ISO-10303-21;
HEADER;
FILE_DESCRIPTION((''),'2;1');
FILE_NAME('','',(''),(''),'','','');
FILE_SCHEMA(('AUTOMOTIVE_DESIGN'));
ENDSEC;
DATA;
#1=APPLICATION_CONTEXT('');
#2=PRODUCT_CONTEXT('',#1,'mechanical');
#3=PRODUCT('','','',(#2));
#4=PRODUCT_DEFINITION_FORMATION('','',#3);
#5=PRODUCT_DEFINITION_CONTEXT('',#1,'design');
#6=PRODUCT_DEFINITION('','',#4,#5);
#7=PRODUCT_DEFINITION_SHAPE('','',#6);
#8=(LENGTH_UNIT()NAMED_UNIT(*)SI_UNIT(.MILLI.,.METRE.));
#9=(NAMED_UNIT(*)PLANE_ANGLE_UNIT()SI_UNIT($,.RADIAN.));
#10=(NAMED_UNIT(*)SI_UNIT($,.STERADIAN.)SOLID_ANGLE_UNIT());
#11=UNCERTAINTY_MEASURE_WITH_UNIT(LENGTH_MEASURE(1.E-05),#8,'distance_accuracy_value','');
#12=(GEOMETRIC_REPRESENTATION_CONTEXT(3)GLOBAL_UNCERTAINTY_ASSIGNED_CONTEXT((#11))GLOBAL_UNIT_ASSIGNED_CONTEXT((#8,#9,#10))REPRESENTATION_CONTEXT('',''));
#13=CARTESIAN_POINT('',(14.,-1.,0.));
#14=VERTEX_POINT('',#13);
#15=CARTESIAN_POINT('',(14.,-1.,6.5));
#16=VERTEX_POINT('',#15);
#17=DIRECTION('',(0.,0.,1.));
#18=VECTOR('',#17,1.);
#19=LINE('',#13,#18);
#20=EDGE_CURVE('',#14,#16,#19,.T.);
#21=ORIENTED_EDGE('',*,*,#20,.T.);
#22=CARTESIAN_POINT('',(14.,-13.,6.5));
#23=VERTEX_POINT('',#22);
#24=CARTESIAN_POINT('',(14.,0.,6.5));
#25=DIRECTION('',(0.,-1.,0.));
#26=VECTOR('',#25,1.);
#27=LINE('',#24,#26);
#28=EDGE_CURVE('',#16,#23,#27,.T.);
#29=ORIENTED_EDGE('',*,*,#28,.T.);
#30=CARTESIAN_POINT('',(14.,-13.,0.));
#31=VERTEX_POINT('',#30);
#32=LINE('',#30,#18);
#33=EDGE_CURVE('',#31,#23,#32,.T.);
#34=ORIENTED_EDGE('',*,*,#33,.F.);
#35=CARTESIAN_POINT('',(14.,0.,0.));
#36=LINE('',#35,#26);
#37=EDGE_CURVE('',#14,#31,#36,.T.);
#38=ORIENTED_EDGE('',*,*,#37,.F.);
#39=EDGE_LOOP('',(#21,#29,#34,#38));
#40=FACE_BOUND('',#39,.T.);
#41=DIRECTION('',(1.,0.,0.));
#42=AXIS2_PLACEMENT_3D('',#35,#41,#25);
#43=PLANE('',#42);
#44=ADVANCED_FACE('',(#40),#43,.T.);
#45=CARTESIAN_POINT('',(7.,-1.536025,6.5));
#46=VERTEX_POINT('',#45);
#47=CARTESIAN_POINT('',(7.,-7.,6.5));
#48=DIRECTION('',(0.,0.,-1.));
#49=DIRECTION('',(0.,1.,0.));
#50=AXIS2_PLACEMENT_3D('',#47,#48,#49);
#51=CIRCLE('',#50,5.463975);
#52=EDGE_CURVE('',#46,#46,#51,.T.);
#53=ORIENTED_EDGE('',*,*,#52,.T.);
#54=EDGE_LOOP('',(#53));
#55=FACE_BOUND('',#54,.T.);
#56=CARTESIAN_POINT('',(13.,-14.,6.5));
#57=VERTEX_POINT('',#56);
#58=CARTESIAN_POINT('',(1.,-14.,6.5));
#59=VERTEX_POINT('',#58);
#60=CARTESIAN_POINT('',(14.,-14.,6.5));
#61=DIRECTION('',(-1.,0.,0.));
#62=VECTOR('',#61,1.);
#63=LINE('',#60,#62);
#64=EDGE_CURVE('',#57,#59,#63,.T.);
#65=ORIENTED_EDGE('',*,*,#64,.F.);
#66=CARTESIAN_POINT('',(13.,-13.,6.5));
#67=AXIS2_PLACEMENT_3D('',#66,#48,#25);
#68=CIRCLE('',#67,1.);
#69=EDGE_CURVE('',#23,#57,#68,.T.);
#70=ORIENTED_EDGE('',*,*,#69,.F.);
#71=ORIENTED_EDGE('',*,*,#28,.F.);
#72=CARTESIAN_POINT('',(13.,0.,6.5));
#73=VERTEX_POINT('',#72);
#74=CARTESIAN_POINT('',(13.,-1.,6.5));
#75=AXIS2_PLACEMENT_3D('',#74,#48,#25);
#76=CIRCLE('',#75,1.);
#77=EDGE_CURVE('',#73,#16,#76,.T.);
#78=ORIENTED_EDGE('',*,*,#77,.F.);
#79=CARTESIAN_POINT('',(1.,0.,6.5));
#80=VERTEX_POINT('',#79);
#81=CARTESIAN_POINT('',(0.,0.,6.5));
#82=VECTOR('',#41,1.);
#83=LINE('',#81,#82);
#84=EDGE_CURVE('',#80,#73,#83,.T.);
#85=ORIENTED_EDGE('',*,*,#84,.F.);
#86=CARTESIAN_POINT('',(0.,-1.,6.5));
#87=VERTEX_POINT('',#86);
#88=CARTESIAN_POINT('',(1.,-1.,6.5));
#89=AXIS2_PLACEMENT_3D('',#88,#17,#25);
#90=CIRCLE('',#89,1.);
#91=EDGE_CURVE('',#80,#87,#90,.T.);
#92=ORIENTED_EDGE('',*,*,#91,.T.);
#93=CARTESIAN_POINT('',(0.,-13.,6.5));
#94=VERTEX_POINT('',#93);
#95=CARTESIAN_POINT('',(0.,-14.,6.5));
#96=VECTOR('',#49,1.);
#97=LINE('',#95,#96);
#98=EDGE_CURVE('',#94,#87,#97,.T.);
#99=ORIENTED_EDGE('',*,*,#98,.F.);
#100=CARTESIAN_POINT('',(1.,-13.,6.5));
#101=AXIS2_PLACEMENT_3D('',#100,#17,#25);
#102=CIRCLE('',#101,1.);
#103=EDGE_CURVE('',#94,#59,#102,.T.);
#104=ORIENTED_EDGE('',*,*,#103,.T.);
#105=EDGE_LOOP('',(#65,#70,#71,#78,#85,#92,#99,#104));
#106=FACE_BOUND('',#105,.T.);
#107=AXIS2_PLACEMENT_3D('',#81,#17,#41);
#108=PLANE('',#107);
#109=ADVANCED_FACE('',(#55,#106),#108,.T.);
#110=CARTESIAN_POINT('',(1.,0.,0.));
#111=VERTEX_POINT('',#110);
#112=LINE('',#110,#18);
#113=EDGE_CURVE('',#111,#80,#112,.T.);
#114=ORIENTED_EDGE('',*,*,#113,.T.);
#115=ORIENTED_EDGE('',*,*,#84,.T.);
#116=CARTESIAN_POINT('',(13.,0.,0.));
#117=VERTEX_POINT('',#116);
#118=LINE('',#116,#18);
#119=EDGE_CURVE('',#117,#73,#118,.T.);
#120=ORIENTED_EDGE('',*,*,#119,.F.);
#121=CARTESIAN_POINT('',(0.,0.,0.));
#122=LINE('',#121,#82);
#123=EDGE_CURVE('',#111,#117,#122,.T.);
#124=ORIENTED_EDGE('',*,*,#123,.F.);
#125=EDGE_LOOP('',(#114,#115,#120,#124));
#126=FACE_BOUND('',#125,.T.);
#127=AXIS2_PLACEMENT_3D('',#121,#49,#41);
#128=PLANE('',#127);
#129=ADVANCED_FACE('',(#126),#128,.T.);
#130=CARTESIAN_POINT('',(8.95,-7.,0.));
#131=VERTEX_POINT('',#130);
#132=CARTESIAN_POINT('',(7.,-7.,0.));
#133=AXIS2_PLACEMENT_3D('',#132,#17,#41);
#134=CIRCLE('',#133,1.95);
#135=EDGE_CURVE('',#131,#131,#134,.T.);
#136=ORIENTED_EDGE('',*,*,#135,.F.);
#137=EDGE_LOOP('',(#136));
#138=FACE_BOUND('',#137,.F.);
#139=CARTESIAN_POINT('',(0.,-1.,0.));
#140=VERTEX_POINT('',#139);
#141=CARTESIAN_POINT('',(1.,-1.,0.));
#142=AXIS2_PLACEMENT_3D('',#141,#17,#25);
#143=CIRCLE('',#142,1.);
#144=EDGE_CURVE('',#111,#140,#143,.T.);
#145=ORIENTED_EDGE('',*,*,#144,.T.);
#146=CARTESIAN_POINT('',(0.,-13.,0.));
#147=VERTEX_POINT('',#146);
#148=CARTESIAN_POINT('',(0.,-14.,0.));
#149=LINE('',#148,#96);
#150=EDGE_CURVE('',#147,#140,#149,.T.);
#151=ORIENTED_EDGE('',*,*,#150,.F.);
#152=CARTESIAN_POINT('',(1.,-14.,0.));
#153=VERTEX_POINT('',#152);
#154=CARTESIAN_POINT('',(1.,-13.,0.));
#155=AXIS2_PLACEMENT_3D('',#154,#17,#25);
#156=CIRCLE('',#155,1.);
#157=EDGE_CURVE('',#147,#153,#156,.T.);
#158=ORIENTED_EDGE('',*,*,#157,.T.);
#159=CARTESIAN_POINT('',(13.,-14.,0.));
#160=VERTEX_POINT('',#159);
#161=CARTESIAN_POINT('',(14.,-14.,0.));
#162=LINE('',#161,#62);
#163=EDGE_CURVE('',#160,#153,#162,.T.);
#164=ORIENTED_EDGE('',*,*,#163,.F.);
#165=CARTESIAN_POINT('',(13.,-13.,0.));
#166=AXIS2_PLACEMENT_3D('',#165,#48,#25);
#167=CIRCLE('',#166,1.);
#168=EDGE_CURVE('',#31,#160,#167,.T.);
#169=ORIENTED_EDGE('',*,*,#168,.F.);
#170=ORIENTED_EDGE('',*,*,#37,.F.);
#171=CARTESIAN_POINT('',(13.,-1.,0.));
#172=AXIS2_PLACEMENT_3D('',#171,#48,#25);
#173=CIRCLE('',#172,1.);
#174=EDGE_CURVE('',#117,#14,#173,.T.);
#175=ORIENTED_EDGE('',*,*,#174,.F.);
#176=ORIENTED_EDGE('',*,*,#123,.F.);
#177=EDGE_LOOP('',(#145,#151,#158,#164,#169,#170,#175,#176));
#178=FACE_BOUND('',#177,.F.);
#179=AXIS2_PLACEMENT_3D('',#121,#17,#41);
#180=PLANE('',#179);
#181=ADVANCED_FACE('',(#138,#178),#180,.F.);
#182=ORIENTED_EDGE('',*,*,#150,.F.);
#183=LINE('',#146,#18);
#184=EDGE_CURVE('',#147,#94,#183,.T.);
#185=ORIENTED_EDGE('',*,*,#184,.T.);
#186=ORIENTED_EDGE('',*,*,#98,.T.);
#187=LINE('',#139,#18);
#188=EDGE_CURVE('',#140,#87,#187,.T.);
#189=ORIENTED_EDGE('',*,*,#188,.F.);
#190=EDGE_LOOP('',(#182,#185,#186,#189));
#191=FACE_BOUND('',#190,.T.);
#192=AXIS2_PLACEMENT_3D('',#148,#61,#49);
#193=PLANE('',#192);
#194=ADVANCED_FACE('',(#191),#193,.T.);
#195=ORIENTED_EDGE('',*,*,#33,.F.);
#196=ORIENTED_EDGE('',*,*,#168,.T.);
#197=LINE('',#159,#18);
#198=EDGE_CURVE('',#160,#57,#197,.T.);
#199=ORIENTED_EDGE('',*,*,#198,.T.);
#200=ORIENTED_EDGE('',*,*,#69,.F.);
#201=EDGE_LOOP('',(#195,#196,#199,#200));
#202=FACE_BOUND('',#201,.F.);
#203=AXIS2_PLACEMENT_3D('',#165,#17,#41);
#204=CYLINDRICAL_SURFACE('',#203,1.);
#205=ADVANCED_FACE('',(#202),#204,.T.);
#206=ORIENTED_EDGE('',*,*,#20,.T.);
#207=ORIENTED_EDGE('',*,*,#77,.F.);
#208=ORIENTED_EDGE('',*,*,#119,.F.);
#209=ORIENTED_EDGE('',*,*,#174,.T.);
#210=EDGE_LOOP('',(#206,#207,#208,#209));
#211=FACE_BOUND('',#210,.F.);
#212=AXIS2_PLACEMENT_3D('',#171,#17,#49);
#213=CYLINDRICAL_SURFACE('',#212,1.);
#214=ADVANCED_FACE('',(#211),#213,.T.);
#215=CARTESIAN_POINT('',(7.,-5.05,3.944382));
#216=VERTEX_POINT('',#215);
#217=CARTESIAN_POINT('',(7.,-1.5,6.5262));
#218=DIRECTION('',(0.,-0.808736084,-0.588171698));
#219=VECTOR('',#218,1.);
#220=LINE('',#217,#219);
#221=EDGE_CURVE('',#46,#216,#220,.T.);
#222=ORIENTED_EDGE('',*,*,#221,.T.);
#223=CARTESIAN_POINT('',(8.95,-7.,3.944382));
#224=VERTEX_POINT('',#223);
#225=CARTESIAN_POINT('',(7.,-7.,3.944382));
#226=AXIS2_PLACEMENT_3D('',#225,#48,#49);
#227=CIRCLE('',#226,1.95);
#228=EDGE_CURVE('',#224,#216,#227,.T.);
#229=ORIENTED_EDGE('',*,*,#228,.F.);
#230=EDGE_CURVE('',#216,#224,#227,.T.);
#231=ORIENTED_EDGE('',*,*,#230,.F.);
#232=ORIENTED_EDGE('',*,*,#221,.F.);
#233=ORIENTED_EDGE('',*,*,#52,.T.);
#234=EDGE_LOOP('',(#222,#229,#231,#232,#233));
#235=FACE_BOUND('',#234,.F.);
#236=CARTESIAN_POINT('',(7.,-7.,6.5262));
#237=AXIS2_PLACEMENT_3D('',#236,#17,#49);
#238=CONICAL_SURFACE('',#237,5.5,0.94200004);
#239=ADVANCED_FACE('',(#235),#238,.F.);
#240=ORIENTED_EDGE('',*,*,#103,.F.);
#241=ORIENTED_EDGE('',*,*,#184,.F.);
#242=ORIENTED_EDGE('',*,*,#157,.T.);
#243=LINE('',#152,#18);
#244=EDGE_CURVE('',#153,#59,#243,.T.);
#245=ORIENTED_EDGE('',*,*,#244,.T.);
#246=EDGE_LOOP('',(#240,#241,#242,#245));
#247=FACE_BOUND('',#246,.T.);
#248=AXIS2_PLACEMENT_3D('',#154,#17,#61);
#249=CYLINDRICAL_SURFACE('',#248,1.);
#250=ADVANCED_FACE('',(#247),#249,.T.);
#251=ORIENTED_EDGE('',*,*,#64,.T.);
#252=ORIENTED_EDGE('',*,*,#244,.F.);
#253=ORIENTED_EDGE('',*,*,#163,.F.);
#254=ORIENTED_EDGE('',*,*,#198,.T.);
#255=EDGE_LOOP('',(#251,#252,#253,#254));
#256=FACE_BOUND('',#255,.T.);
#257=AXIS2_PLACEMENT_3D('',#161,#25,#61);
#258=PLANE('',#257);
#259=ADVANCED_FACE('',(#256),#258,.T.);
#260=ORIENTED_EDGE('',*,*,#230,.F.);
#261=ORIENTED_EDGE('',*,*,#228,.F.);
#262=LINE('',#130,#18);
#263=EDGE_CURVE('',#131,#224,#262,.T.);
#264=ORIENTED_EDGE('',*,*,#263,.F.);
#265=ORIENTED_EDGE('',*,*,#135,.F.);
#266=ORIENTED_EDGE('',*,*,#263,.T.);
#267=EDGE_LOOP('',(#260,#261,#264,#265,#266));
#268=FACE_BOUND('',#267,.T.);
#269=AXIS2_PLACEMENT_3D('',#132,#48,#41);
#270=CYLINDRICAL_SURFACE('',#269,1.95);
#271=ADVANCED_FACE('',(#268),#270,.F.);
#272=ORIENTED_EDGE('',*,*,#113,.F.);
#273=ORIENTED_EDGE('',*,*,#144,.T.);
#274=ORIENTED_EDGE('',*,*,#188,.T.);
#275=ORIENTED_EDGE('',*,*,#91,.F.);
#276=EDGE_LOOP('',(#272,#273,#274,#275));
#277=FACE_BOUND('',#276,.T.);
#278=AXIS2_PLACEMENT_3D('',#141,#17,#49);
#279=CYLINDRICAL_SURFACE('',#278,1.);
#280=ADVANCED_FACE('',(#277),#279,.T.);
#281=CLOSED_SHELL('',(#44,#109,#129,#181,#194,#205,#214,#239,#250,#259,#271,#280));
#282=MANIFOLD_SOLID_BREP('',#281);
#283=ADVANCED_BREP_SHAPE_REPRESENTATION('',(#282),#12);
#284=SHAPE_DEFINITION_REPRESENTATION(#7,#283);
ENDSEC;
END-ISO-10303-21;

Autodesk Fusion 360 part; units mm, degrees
sketch "Sketch1" plane through (0, 0, 0) normal (0, 0, 1) x (1, 0, 0) in component "link"
  line L0 (0, 0) -> (14, 0)
  line L1 (14, 0) -> (14, -14)
  line L2 (14, -14) -> (0, -14)
  line L3 (0, -14) -> (0, 0)
  circle A0 centre (7, -7) radius 5
  circle A1 centre (7, -7) radius 1.95
  dimension "d68" = 14
  dimension "d69" = 10
  dimension "d70" = 7
  dimension "d72" = 3.9
  dimension "d105" = 14
  dimension "d106" = 7
extrude "Extrude3" add sketch "Sketch1" along normal blind 6.5 contours L0 L1 L2 L3 | A0 | A1 in component "link"
extrude "Extrude4" cut sketch "Sketch1" along normal up to surface (6.5 mm away) contours A1 in component "link"
ref_plane "WorkPlane1" through (7, -7, 3.25) normal (1, 0, 0) x (0, 1, 0)
sketch "Sketch3" plane through (7, -7, 3.5) normal (1, 0, 0) x (0, 1, 0) in component "link"
  line L0 (0, 0) -> (14, 0) construction
  line L1 (14, 0) -> (14, 7) construction
  line L2 (14, 7) -> (0, 7)
  line L3 (0, 7) -> (0, 0) construction
  line L4 (5.5, 3.0262) -> (0, -0.9738)
  line L5 (0, -0.9738) -> (0, 3.0262)
  line L6 (0, 3.0262) -> (5.5, 3.0262)
  point P0 (7, 0)
  dimension "d109" = 5.5
  dimension "d110" = 4
revolve "Revolve1" cut sketch "Sketch3" angle 360 about axis through (7, -7, 10.5) along (0, 0, -1) in component "link"
fillet "Fillet2" radius 1 4 edges at (0, -14, 3.25) (0, 0, 3.25) (14, -14, 3.25) (14, 0, 3.25) in component "link"
component "link" placed x (1, 0, 0) y (0, 1, 0) z (0, 0, 1) at (0, 0, 0)
equation "ballJointHoleDim = 22.3 mm"
equation "tubeThickness = 2 mm"
equation "stockThickness = 9.6 mm"
equation "baseHeight = 5.5 mm"
equation "screwsCenterDistance = 32 mm"
equation "baseLength = 42 mm"
equation "ballJointBottomFromGround = 2 mm"
equation "screwHoleDiam = 3.5 mm"
equation "screwHeadHoleDiam = 6.3 mm"
equation "screwHeadHeight = 2 mm"
equation "ballJointHeight = 7 mm"
equation "linkStockHeight = 12.8 mm"
equation "linkWidth = 9.4 mm"
equation "linkHoleCenterDistance = 41 mm"
equation "linkBallJoinInsertDiam = 8.1 mm"
equation "linkBallInsertHeight = 6.8 mm"
equation "linkClearanceHeigt = 1 mm"
equation "toolDiameter = 2 mm"
